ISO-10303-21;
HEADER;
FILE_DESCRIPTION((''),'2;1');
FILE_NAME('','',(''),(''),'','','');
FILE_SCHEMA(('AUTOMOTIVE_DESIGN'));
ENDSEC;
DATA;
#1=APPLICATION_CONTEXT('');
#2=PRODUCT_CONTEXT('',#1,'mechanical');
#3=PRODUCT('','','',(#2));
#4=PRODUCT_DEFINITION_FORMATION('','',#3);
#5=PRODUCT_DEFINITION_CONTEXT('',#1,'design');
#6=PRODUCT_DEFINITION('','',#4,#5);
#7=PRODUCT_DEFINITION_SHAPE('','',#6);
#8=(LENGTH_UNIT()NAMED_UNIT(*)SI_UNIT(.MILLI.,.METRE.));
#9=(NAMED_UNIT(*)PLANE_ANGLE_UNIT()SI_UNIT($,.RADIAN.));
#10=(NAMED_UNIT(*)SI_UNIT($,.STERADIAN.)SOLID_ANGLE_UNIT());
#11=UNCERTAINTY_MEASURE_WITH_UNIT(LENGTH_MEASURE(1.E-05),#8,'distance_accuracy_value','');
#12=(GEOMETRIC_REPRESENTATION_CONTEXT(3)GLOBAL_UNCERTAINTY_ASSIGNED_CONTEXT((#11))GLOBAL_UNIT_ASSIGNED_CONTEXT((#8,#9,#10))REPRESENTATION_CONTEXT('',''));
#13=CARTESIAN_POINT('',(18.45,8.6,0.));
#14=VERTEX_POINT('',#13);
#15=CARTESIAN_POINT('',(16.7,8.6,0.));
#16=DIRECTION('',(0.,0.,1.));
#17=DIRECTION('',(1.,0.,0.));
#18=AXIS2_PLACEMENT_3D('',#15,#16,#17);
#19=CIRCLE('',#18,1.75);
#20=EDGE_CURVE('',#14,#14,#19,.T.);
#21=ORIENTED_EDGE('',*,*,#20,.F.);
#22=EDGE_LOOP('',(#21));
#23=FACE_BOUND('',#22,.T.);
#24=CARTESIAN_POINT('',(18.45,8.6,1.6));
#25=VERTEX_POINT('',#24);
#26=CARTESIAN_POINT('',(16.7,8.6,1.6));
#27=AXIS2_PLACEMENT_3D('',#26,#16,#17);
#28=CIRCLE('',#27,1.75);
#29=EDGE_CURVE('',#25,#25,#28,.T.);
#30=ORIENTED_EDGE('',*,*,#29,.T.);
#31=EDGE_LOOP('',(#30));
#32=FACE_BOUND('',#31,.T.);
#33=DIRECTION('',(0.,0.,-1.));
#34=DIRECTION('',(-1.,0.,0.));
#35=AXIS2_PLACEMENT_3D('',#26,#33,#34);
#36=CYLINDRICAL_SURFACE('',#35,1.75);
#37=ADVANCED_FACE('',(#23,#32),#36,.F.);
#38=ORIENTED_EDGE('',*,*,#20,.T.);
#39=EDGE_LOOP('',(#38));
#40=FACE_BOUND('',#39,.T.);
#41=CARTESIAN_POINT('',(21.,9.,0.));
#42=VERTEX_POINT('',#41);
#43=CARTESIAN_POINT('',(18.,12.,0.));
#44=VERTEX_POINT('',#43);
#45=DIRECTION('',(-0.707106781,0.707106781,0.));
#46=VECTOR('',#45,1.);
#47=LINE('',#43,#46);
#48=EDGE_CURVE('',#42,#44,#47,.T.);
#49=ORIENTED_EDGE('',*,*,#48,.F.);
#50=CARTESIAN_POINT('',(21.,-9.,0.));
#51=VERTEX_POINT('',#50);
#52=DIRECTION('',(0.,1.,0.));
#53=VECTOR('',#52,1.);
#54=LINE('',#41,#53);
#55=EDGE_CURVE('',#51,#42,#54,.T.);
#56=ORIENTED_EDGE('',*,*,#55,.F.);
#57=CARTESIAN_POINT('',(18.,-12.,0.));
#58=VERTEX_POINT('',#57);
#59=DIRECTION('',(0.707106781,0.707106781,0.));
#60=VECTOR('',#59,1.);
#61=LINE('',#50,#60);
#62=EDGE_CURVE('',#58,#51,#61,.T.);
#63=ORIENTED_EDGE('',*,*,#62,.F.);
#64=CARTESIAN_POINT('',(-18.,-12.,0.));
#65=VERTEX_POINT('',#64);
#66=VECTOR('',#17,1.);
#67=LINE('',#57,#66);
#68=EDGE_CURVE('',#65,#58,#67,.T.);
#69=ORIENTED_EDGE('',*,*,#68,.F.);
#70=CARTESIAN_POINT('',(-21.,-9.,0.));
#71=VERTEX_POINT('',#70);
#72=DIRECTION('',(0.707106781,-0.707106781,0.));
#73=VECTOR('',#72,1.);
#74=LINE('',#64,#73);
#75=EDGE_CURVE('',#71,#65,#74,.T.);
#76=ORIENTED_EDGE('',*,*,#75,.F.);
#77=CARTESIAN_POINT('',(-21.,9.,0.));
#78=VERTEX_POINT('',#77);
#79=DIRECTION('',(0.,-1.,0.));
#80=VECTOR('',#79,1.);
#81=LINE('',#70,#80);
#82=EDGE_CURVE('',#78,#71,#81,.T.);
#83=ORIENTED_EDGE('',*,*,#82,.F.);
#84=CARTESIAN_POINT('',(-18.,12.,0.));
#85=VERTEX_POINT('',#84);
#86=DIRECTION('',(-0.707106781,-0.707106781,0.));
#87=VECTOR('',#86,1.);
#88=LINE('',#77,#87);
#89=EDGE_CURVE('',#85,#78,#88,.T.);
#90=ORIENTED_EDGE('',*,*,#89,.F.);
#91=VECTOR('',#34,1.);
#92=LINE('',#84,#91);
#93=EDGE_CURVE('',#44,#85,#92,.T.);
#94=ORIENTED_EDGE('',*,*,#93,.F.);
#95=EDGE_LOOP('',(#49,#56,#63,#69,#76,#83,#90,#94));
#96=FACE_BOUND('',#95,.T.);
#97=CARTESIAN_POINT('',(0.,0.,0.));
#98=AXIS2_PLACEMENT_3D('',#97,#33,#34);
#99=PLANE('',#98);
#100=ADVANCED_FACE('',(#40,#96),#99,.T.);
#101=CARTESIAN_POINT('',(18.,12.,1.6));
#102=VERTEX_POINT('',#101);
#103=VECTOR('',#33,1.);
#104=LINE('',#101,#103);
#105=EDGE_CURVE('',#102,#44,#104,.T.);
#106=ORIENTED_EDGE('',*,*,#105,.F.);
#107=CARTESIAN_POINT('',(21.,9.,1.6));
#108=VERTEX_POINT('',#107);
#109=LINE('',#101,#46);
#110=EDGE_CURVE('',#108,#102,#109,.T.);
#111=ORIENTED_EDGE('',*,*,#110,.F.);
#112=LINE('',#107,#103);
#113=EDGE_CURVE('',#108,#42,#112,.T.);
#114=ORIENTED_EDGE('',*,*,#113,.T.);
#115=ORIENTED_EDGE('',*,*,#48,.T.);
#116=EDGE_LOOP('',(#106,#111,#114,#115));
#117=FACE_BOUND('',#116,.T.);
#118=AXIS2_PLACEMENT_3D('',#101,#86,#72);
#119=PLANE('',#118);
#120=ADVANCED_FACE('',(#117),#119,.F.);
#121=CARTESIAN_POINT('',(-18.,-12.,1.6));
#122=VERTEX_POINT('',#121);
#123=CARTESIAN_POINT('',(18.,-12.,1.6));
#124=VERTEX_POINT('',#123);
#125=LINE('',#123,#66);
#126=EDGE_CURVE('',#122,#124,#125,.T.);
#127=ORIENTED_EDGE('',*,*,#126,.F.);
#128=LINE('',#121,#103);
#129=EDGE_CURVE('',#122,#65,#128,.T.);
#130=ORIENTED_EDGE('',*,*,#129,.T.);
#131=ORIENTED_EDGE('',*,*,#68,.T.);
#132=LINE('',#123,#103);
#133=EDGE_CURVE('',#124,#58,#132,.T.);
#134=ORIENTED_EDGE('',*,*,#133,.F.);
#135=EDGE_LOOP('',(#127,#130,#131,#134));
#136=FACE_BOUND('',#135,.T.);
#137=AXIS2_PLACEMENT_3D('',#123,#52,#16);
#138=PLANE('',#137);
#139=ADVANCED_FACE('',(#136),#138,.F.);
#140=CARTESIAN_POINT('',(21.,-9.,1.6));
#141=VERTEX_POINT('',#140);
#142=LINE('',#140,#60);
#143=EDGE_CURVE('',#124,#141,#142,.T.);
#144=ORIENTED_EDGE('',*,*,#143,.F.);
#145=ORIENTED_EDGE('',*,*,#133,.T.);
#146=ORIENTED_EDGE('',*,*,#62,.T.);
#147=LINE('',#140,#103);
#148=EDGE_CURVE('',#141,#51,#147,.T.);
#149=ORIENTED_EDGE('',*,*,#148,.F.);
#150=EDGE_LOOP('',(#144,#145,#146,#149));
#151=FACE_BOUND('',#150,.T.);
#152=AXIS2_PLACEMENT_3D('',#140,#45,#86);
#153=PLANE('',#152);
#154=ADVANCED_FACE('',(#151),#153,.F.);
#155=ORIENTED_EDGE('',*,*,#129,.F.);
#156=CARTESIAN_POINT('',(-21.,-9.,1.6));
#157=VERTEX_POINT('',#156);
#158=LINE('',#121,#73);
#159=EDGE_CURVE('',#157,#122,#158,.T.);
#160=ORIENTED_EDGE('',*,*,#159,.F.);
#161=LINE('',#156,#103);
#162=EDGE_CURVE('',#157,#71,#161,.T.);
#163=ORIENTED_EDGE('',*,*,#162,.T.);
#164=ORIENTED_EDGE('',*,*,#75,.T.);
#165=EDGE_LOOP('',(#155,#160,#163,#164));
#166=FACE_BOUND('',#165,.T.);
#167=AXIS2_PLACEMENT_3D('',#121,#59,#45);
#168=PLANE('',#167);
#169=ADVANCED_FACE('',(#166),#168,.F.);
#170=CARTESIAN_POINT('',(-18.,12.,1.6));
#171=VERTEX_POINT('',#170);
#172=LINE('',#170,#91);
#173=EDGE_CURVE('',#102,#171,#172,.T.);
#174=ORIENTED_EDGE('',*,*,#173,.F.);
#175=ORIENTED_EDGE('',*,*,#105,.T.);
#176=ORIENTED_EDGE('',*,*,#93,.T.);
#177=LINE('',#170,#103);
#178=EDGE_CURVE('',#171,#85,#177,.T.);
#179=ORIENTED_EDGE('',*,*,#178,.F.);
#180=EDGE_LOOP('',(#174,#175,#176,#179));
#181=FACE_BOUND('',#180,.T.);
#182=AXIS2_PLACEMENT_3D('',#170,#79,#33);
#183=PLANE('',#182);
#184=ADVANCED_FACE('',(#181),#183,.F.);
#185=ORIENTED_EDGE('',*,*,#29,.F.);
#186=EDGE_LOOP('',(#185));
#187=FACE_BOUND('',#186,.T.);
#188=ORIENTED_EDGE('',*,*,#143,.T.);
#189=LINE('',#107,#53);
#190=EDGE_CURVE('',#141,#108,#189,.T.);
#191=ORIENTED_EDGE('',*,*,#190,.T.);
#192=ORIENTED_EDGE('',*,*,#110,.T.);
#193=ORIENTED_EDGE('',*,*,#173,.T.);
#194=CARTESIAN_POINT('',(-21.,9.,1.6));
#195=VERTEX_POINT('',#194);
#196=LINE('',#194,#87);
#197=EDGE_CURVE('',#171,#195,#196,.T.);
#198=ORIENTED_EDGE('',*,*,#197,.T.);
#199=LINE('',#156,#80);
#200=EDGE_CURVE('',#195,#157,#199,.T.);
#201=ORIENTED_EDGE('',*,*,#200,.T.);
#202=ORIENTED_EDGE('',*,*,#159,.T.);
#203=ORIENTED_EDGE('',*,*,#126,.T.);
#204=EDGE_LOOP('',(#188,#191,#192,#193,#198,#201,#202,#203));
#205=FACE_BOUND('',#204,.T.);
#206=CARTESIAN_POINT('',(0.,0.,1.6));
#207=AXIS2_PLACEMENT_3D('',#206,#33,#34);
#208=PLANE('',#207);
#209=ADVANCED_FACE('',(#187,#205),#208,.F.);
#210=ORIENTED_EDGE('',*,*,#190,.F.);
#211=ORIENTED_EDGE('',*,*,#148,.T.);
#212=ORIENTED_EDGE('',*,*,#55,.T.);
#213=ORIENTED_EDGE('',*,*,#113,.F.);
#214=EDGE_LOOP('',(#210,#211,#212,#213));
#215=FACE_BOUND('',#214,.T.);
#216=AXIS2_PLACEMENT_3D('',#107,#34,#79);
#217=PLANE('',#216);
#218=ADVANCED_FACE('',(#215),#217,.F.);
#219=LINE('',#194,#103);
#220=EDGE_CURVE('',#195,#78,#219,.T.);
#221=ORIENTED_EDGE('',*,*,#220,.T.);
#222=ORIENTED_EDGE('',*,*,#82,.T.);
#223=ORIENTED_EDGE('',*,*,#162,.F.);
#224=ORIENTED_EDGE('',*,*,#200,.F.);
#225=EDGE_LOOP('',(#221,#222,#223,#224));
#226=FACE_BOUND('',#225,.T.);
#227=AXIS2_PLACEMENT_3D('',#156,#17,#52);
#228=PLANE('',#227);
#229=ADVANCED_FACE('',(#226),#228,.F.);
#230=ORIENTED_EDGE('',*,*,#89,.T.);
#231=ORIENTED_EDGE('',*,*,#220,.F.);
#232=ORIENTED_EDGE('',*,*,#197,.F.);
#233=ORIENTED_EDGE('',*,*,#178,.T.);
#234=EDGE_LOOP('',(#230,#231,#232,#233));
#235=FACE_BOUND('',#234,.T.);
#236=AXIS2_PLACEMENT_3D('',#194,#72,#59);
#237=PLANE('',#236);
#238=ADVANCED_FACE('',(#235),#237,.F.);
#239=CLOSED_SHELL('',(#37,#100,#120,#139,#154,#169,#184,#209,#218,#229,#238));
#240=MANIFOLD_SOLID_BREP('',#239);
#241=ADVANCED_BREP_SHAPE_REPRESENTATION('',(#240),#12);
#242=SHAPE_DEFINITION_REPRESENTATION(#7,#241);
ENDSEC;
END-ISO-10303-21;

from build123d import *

# Parameters (mm, degrees)
SKETCH1_R           = 1.75
BOSS_EXTRUDE1_DEPTH = 1.6


with BuildPart() as part:
    # Sketch1 → Boss-Extrude1 (new body)
    with BuildSketch(Plane.XY):
        Polygon((-21, 9), (-18, 12), (18, 12), (21, 9), (21, -9), (18, -12), (-18, -12), (-21, -9), align=None)
        with Locations((16.7, 8.6)):
            Circle(SKETCH1_R, mode=Mode.SUBTRACT)
    extrude(amount=BOSS_EXTRUDE1_DEPTH)


solid = part.part
